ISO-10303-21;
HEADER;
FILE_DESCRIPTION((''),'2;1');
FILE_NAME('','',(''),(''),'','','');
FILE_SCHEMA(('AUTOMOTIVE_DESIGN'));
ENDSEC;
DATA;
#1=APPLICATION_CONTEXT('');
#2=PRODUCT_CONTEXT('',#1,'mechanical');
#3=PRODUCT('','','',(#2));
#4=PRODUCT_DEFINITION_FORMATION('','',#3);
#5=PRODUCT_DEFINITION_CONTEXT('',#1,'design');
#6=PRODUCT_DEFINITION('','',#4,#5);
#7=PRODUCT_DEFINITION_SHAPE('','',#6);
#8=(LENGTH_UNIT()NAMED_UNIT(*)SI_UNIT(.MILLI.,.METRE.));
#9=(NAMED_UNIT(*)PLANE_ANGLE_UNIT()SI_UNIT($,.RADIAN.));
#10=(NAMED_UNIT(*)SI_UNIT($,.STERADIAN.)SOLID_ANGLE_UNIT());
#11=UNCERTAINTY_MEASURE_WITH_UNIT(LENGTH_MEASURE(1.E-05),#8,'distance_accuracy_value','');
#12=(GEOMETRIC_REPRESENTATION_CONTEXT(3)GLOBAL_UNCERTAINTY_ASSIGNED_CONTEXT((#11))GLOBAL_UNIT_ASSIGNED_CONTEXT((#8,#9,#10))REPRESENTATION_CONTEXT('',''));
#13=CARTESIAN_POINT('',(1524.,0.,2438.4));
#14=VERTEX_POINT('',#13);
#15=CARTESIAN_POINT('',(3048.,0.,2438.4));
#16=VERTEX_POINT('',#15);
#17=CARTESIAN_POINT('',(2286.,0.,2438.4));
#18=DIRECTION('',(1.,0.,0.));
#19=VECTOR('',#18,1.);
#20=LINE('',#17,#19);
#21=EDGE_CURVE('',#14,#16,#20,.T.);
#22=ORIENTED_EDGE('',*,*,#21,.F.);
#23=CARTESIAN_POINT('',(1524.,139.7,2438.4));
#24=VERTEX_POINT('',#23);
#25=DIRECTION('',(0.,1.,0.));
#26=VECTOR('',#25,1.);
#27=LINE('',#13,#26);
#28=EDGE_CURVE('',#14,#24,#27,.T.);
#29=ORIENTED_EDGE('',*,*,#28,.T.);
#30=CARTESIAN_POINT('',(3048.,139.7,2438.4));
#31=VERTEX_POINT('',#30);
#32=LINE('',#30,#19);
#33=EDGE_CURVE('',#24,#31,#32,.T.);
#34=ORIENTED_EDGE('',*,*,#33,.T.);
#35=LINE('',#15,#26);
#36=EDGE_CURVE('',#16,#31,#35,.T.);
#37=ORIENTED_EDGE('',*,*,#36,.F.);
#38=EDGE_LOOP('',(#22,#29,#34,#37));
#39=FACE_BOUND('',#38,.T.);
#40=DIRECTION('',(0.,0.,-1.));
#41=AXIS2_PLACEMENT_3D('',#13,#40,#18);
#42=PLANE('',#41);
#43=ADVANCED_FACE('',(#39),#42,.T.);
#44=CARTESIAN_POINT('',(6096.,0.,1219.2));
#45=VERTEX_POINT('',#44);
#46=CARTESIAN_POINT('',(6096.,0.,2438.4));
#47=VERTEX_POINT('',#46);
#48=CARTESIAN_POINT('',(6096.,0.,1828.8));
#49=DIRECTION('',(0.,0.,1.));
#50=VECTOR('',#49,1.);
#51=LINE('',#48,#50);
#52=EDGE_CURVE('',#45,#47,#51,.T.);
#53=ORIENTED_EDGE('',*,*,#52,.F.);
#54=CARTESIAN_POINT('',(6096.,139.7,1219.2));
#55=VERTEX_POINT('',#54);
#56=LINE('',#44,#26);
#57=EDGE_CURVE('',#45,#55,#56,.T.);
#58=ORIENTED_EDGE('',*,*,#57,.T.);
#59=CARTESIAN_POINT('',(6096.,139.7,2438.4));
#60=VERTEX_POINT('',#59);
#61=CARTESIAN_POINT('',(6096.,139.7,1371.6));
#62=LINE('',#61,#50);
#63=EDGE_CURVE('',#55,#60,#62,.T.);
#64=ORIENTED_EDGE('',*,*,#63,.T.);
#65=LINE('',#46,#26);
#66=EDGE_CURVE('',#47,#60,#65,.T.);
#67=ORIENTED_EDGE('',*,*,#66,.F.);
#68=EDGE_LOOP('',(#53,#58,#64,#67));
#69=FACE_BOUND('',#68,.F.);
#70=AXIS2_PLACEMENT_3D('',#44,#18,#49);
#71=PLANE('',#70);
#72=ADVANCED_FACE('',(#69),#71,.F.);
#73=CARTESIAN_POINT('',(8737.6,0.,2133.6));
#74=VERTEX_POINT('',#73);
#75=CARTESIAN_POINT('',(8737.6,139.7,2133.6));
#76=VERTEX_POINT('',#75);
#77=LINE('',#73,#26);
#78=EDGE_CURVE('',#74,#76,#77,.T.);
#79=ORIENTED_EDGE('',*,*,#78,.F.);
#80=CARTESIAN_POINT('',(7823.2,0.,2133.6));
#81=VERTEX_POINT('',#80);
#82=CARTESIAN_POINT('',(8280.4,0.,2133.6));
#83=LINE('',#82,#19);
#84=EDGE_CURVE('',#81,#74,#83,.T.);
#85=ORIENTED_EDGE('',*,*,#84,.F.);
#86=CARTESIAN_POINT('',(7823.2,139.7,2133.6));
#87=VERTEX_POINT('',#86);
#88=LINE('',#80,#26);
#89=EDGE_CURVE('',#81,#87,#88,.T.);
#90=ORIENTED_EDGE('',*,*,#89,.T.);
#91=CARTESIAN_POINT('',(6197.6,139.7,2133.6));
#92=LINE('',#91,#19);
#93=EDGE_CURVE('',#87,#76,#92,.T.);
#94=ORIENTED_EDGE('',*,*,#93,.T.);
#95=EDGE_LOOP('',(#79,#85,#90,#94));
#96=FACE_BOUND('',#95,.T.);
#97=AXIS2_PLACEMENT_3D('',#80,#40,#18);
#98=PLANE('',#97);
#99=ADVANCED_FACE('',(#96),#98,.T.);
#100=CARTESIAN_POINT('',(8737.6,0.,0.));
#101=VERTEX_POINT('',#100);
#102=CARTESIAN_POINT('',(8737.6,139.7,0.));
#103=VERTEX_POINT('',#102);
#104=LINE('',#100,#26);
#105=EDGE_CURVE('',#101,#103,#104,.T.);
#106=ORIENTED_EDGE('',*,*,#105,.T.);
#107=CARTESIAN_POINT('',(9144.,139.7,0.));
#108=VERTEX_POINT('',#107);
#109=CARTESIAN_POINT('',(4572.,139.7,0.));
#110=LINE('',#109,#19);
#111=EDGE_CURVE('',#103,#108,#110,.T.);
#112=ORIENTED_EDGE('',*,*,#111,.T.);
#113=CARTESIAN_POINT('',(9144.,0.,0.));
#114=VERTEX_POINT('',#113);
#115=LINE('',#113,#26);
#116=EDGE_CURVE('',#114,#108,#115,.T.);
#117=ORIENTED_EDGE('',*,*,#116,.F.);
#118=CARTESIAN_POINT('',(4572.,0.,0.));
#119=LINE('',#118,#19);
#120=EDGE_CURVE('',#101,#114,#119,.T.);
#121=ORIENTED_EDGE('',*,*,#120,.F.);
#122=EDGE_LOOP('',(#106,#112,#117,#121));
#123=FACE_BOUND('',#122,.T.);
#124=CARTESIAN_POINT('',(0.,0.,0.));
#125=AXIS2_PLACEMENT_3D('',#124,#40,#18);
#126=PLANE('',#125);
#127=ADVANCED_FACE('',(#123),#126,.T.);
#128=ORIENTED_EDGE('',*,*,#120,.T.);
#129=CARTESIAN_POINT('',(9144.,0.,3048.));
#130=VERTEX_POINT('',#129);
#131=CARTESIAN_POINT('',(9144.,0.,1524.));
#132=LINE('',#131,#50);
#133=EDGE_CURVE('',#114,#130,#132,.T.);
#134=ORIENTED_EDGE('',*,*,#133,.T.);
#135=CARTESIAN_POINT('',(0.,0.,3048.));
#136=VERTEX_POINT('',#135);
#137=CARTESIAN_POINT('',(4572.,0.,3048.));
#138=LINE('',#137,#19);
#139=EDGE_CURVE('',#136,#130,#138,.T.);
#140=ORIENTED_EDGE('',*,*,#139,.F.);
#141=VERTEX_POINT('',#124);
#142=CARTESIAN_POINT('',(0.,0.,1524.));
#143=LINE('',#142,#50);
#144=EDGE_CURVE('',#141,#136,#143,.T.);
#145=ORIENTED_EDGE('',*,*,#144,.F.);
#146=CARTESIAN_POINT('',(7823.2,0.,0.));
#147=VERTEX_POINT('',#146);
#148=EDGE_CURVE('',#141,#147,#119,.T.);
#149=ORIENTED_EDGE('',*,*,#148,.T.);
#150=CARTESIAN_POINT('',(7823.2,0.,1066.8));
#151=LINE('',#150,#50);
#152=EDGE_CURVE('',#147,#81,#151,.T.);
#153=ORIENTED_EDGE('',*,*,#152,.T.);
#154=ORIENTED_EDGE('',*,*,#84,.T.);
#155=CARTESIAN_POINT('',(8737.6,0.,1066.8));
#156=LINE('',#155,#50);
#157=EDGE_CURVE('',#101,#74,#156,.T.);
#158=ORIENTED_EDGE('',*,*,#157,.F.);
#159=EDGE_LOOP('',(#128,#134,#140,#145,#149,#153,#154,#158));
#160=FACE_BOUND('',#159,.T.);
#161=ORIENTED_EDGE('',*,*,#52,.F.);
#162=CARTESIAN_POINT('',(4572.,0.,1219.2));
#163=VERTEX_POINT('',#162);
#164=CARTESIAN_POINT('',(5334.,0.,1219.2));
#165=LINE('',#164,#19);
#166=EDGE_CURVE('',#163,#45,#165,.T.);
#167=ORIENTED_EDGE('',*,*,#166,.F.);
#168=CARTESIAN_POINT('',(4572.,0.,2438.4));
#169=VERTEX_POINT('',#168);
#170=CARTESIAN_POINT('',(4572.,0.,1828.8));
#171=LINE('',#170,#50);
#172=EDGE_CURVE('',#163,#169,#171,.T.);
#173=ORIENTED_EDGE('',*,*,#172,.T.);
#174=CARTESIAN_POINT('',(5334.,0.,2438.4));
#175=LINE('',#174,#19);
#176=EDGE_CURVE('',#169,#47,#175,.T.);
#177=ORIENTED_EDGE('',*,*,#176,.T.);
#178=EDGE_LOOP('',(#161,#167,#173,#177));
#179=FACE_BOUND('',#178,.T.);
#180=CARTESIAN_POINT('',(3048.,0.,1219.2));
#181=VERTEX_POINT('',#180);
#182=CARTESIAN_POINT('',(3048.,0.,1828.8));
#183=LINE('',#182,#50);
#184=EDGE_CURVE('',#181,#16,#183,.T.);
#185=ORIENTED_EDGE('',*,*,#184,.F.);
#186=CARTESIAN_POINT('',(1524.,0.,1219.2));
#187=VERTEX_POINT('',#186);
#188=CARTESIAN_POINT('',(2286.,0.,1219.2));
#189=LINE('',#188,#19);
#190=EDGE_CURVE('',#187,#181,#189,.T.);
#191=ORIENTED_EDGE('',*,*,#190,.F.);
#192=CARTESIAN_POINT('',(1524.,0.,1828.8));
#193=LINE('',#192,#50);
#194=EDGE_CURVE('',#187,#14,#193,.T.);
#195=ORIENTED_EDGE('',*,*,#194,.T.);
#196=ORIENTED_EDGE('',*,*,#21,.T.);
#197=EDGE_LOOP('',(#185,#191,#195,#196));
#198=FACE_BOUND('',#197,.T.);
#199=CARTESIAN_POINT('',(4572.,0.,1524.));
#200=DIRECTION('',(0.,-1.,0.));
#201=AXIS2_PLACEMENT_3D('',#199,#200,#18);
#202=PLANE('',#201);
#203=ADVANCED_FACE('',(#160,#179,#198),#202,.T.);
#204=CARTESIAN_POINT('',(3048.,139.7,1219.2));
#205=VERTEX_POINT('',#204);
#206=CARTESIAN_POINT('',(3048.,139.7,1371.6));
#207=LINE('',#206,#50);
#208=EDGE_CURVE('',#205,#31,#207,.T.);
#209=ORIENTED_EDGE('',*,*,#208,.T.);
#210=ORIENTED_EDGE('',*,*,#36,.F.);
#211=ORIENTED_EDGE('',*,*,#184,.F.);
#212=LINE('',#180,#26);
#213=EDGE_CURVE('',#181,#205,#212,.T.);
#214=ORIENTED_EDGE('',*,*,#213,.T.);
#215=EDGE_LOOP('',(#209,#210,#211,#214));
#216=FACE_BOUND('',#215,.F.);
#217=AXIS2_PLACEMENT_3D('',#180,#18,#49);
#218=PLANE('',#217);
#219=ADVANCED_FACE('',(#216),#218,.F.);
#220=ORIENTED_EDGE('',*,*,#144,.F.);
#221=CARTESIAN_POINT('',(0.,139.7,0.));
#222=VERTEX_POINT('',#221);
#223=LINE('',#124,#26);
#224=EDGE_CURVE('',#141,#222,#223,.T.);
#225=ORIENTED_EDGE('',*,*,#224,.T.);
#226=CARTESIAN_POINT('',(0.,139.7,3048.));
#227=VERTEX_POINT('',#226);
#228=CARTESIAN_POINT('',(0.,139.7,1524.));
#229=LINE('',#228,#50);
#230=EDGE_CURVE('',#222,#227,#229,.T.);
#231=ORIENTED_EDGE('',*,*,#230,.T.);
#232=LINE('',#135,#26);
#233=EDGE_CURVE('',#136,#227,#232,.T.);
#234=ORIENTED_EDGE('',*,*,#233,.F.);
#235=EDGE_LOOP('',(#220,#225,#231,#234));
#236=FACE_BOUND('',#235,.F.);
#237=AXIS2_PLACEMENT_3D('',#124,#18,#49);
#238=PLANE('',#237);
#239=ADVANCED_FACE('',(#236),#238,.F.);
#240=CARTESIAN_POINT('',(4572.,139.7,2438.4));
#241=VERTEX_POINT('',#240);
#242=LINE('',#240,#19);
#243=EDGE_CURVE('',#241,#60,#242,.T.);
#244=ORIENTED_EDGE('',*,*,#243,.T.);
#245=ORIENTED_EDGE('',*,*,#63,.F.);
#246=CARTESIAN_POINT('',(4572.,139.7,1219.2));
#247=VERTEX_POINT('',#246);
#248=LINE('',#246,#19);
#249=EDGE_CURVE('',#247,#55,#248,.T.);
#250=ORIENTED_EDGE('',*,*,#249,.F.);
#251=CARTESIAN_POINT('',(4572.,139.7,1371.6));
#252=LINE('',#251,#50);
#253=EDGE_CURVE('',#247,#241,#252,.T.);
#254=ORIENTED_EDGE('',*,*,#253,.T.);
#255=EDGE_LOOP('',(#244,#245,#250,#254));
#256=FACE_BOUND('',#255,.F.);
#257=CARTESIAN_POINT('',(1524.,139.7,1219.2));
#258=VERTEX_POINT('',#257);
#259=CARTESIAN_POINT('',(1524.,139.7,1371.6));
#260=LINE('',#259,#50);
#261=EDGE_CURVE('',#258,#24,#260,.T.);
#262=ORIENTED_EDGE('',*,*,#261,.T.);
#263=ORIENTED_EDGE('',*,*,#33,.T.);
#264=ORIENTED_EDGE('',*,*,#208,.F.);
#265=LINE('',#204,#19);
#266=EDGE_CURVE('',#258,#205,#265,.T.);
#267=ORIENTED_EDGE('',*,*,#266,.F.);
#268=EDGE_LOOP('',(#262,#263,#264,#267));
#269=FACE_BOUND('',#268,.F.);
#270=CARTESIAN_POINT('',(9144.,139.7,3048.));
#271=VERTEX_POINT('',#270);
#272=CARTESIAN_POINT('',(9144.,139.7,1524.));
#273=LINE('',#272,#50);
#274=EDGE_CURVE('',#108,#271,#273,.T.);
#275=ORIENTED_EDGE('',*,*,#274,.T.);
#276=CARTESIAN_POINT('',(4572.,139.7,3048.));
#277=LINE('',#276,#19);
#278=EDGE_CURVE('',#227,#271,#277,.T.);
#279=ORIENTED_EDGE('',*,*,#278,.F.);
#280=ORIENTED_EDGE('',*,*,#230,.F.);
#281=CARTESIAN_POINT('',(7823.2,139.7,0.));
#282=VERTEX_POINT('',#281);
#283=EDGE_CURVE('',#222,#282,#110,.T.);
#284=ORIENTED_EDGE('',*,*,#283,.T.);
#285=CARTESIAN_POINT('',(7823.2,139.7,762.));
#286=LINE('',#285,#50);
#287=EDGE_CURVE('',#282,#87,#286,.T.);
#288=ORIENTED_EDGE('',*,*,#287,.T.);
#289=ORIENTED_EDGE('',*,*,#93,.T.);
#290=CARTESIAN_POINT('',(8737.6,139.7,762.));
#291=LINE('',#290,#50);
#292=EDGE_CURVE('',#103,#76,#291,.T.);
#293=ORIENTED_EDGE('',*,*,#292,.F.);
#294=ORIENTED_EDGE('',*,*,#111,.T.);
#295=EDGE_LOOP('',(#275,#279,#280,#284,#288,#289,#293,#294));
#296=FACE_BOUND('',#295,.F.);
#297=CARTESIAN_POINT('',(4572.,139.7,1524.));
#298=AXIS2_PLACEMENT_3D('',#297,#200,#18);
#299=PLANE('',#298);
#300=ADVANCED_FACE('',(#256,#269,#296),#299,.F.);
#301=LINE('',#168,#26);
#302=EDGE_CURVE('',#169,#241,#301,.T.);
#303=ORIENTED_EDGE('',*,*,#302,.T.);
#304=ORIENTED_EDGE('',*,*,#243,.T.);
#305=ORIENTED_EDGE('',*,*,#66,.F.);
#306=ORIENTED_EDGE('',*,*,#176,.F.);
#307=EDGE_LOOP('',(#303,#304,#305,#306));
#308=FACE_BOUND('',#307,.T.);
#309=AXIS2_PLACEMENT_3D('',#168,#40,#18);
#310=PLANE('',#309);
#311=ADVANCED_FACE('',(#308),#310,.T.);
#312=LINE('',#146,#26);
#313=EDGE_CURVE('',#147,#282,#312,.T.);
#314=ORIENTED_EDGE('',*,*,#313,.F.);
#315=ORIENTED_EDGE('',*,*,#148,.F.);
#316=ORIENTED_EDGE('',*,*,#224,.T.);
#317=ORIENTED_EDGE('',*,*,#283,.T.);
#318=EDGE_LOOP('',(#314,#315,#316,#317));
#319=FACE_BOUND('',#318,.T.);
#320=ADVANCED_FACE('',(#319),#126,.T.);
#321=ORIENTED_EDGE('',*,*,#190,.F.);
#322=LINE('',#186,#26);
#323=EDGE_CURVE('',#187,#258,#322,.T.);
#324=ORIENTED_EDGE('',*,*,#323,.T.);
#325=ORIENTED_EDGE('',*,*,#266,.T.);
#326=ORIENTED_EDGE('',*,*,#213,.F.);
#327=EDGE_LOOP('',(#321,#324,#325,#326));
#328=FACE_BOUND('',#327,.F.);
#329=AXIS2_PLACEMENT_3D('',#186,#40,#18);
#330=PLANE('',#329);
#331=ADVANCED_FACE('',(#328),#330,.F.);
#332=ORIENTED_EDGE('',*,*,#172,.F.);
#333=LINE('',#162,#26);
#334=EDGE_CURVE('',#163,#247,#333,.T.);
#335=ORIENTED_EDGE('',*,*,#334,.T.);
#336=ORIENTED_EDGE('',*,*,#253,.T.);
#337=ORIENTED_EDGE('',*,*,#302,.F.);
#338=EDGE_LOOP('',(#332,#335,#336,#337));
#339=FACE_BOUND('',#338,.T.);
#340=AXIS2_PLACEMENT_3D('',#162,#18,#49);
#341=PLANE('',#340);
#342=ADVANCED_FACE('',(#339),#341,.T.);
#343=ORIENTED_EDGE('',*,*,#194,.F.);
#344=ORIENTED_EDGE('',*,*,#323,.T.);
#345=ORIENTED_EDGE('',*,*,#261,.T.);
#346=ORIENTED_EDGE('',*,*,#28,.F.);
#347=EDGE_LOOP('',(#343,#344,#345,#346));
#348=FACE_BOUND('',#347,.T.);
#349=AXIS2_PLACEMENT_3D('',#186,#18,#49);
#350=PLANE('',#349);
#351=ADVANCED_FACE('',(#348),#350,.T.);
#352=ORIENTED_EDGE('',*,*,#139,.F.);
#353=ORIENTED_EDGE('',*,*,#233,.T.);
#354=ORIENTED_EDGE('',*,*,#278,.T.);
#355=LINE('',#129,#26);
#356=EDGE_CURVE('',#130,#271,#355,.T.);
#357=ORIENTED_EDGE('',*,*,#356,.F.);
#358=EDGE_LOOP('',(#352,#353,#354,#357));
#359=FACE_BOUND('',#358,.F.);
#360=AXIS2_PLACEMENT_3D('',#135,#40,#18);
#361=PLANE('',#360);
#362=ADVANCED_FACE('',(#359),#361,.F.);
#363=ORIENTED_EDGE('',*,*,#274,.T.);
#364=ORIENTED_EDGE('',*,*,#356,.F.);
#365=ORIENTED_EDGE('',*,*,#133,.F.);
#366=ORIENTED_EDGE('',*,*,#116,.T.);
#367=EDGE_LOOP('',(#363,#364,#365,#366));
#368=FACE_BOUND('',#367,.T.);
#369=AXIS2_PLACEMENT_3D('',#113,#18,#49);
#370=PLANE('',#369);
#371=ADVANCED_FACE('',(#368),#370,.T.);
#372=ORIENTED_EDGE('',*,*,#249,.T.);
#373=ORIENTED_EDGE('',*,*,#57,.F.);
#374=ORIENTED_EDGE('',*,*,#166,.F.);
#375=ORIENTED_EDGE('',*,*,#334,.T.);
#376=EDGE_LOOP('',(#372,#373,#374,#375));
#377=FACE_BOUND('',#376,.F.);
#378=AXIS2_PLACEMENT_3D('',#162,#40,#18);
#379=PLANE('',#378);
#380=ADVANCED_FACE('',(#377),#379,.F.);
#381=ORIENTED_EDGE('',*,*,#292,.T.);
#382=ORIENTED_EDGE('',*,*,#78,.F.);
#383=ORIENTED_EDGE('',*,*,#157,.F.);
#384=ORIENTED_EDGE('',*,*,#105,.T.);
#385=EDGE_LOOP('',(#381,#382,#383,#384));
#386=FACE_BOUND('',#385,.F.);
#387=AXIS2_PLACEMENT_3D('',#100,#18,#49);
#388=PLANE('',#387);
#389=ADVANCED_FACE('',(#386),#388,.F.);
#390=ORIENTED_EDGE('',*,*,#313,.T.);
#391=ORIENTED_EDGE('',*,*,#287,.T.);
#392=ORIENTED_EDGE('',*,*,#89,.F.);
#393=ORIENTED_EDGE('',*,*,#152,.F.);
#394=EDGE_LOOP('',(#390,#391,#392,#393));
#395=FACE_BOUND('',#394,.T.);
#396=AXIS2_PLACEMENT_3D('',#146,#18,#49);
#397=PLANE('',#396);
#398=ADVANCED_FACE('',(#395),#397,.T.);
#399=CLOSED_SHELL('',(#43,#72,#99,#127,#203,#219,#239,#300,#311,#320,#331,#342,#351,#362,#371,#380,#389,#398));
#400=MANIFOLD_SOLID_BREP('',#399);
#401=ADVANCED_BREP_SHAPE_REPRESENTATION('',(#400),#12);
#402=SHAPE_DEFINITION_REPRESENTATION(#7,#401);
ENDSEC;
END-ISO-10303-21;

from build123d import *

# Parameters (mm, degrees)
F0_W     = 9144
F0_H     = 3048
F1_DEPTH = 139.7
F2_W     = 1524
F2_H     = 1219.2
F3_DEPTH = 139.701
F4_W     = 914.4
F4_H     = 2133.6
F5_DEPTH = 139.701


with BuildPart() as f1:
    # F0 (on Front) → F1 (new body)
    with BuildSketch(Plane.XZ):
        with Locations((4572, 1524)):
            Rectangle(F0_W, F0_H)
    extrude(amount=-F1_DEPTH)

    # F2 (on face) → F3 (cut, through all)
    with BuildSketch(Plane.XZ):
        with Locations((2286, 1828.8)):
            Rectangle(F2_W, F2_H)
        with Locations((5334, 1828.8)):
            Rectangle(F2_W, F2_H)
    extrude(amount=-F3_DEPTH, mode=Mode.SUBTRACT)

    # F4 (on face) → F5 (cut, through all)
    with BuildSketch(Plane.XZ):
        with Locations((8280.4, 1066.8)):
            Rectangle(F4_W, F4_H)
    extrude(amount=-F5_DEPTH, mode=Mode.SUBTRACT)


solid = f1.part
